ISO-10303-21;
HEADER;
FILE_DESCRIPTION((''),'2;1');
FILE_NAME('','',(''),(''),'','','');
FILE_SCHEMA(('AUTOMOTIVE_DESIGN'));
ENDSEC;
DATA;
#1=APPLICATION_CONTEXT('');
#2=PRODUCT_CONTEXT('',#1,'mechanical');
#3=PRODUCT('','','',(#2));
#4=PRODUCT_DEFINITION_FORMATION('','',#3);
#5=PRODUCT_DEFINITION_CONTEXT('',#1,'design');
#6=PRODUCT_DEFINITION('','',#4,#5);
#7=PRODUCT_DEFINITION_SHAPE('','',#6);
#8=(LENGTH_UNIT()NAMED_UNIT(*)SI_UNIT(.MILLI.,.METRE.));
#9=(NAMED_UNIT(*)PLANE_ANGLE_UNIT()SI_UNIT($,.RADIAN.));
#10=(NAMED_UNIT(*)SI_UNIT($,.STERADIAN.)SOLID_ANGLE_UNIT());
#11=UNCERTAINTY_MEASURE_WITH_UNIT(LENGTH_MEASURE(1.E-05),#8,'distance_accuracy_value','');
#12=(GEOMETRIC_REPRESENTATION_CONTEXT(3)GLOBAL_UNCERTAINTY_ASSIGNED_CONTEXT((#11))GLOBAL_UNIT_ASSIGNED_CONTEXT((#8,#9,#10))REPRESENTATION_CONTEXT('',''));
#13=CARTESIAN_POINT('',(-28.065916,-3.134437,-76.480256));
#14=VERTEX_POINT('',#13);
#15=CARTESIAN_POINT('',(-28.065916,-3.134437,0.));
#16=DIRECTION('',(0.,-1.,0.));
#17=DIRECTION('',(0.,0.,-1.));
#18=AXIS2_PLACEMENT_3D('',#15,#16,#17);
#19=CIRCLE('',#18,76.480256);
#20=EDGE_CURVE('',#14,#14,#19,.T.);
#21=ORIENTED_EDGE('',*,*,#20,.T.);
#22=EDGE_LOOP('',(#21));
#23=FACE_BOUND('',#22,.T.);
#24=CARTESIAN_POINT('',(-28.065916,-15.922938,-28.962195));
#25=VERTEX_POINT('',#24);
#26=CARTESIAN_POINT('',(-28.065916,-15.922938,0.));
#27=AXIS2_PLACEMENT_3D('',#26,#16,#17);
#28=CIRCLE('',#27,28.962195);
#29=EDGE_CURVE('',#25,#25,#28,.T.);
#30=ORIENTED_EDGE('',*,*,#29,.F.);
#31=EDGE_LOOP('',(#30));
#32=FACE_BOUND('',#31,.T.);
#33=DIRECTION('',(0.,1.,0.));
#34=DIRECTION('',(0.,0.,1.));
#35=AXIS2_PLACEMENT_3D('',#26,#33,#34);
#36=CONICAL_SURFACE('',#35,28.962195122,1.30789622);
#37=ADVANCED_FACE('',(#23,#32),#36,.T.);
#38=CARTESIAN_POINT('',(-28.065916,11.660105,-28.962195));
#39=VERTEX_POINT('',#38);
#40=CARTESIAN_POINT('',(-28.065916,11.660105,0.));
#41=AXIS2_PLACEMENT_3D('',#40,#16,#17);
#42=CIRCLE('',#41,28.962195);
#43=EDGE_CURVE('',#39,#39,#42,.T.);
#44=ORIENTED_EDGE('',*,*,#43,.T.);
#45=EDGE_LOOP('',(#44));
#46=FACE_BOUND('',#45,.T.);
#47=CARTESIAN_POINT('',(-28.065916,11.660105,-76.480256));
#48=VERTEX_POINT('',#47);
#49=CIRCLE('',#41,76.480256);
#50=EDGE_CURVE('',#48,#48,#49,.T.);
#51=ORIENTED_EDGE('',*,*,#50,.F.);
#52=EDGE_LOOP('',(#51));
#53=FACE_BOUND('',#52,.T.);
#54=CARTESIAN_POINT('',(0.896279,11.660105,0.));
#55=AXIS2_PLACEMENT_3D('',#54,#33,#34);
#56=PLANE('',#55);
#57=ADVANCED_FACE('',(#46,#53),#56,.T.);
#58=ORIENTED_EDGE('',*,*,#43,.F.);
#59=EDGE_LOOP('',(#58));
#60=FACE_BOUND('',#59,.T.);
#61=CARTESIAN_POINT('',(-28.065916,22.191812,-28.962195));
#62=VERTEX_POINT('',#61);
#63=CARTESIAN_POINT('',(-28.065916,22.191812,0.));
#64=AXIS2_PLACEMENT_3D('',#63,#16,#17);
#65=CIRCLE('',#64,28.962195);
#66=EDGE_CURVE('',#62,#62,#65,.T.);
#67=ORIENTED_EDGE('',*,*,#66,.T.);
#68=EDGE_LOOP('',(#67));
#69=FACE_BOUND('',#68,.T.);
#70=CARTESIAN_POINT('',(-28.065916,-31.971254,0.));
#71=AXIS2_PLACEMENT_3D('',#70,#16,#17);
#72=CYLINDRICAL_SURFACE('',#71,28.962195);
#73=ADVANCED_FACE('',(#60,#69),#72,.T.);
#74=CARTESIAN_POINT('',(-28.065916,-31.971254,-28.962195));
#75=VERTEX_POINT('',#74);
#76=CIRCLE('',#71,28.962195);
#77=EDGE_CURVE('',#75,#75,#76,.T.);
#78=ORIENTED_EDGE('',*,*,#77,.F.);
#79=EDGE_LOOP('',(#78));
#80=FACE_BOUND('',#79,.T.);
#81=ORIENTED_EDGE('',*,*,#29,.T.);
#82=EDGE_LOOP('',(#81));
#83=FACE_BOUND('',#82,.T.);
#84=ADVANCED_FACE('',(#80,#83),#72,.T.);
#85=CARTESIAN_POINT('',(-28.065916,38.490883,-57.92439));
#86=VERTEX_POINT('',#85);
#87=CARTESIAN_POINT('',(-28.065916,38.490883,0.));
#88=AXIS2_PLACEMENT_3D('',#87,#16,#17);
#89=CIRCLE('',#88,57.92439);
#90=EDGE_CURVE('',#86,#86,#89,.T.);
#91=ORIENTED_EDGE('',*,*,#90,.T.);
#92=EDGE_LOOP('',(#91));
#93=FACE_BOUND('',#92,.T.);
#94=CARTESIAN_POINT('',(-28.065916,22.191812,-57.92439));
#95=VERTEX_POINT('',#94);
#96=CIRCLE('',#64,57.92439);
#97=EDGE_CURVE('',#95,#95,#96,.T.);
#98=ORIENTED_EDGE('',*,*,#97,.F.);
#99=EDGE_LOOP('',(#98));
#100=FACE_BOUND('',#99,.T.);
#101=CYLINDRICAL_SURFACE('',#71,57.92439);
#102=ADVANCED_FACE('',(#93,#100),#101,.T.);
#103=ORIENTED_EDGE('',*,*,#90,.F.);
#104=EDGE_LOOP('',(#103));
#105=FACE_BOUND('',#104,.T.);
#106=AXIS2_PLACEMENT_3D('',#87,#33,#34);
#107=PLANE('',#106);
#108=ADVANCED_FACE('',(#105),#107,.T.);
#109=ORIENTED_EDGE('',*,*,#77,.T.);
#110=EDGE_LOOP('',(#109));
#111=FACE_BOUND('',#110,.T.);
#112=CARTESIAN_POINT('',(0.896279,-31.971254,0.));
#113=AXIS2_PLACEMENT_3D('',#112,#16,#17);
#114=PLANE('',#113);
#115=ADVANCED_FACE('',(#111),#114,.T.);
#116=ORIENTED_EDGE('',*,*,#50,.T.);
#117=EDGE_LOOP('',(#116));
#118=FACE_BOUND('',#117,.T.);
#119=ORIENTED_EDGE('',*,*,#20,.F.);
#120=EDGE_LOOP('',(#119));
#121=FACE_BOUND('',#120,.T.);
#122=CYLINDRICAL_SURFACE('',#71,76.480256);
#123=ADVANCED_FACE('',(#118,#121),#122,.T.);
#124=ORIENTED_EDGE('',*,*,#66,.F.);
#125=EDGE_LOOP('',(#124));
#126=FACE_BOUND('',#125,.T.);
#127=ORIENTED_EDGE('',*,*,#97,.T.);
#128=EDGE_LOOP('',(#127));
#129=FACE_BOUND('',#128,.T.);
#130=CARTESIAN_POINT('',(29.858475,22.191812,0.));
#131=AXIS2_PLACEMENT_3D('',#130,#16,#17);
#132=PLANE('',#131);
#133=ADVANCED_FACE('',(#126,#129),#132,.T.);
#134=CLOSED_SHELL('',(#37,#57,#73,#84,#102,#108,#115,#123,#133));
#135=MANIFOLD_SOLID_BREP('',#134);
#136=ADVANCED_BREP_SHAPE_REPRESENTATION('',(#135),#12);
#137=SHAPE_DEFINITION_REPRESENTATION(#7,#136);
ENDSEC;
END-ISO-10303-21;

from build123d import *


with BuildPart() as part:
    # Sketch1 → Revolve1 (revolve)
    with BuildSketch(Plane.XY, mode=Mode.PRIVATE) as revolve1_sk:
        Polygon((-28.065915654, -31.971254355), (-28.065915654, 38.490882695), (29.85847459, 38.490882695), (29.85847459, 22.191811847), (0.896279468, 22.191811847), (0.896279468, 11.66010453), (48.414339863, 11.66010453), (48.414339863, -3.134436702), (0.896279468, -15.922938444), (0.896279468, -31.971254355), align=None)
    revolve(revolve1_sk.sketch.rotate(Axis((-28.065915654, -31.971254355, 0), (0, 1, 0)), 90), axis=Axis((-28.065915654, -31.971254355, 0), (0, 1, 0)))


solid = part.part
